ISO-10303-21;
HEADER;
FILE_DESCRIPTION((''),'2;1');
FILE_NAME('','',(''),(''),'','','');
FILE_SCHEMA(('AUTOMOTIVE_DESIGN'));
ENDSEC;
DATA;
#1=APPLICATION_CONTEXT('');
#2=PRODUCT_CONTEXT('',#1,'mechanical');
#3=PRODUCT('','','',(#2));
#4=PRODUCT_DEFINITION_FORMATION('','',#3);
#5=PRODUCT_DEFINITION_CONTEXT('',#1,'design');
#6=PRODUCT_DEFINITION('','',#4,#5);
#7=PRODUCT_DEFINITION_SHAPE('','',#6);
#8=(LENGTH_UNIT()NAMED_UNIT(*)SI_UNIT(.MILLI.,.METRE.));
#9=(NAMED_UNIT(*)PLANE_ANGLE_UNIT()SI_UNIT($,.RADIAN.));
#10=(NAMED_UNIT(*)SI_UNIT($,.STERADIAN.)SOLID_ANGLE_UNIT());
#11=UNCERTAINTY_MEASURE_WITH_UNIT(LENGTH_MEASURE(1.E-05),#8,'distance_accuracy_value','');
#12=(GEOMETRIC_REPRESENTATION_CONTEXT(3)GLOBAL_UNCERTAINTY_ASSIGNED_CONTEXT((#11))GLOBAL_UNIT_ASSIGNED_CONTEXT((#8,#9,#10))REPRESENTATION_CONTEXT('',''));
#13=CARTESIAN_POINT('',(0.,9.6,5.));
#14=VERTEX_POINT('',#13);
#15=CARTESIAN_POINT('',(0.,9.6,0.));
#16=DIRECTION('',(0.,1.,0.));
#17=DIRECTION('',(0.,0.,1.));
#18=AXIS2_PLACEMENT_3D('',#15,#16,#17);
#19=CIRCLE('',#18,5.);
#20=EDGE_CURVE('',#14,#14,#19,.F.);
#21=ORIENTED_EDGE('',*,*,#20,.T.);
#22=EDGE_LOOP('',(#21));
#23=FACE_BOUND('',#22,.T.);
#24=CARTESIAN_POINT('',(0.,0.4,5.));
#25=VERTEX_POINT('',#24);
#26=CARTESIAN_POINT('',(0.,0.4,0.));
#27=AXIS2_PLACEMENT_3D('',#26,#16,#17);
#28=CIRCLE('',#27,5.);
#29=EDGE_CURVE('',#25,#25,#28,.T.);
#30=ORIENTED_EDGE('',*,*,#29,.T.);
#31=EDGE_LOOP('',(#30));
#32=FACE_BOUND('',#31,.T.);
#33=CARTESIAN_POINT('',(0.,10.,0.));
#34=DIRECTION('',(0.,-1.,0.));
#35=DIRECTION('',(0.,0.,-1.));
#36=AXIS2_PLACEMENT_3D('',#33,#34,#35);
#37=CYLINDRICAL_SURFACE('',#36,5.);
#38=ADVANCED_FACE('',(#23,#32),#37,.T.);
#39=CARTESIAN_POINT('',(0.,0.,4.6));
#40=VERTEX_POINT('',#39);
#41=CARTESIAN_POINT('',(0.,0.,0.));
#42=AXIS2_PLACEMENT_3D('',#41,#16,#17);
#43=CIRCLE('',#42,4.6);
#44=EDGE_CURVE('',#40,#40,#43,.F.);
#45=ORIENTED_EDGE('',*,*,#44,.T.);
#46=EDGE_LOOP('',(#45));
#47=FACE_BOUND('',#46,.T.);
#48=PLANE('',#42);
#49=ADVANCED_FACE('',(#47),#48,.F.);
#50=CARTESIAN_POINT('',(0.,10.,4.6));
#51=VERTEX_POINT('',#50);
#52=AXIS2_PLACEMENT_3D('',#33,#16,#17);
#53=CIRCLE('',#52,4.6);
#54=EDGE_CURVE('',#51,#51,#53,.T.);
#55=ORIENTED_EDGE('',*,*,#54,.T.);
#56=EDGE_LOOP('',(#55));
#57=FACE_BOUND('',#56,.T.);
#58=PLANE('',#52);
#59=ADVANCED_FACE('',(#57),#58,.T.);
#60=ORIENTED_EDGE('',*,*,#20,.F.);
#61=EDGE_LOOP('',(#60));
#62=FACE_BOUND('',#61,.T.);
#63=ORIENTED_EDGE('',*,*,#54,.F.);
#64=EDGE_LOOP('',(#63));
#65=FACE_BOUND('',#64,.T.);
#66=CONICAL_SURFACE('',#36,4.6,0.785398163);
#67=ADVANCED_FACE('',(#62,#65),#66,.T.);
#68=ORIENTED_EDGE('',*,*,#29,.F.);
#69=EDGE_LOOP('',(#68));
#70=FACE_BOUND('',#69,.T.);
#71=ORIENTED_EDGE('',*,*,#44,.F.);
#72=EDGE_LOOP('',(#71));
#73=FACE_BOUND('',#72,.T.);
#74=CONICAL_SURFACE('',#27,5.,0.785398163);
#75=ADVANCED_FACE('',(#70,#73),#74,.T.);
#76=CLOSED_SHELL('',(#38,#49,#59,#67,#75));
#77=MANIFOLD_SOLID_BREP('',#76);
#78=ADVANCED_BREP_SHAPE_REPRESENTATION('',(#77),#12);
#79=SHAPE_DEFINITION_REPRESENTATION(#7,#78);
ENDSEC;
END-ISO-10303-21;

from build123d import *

# Parameters (mm, degrees)
SKETCH1_R           = 5
BOSS_EXTRUDE1_DEPTH = 10
CHAMFER1_SIZE       = 0.4


with BuildPart() as part:
    # Sketch1 → Boss-Extrude1 (new body)
    with BuildSketch(Plane(origin=(0, 0, 0), x_dir=(1, 0, 0), z_dir=(0, 1, 0))):
        Circle(SKETCH1_R)
    extrude(amount=BOSS_EXTRUDE1_DEPTH)

    # Chamfer1
    chamfer1_edges = [part.edges().sort_by_distance(p)[0] for p in [
        (-5, 0, 0),
        (-5, 10, 0),
    ]]
    chamfer(chamfer1_edges, length=CHAMFER1_SIZE)


solid = part.part
